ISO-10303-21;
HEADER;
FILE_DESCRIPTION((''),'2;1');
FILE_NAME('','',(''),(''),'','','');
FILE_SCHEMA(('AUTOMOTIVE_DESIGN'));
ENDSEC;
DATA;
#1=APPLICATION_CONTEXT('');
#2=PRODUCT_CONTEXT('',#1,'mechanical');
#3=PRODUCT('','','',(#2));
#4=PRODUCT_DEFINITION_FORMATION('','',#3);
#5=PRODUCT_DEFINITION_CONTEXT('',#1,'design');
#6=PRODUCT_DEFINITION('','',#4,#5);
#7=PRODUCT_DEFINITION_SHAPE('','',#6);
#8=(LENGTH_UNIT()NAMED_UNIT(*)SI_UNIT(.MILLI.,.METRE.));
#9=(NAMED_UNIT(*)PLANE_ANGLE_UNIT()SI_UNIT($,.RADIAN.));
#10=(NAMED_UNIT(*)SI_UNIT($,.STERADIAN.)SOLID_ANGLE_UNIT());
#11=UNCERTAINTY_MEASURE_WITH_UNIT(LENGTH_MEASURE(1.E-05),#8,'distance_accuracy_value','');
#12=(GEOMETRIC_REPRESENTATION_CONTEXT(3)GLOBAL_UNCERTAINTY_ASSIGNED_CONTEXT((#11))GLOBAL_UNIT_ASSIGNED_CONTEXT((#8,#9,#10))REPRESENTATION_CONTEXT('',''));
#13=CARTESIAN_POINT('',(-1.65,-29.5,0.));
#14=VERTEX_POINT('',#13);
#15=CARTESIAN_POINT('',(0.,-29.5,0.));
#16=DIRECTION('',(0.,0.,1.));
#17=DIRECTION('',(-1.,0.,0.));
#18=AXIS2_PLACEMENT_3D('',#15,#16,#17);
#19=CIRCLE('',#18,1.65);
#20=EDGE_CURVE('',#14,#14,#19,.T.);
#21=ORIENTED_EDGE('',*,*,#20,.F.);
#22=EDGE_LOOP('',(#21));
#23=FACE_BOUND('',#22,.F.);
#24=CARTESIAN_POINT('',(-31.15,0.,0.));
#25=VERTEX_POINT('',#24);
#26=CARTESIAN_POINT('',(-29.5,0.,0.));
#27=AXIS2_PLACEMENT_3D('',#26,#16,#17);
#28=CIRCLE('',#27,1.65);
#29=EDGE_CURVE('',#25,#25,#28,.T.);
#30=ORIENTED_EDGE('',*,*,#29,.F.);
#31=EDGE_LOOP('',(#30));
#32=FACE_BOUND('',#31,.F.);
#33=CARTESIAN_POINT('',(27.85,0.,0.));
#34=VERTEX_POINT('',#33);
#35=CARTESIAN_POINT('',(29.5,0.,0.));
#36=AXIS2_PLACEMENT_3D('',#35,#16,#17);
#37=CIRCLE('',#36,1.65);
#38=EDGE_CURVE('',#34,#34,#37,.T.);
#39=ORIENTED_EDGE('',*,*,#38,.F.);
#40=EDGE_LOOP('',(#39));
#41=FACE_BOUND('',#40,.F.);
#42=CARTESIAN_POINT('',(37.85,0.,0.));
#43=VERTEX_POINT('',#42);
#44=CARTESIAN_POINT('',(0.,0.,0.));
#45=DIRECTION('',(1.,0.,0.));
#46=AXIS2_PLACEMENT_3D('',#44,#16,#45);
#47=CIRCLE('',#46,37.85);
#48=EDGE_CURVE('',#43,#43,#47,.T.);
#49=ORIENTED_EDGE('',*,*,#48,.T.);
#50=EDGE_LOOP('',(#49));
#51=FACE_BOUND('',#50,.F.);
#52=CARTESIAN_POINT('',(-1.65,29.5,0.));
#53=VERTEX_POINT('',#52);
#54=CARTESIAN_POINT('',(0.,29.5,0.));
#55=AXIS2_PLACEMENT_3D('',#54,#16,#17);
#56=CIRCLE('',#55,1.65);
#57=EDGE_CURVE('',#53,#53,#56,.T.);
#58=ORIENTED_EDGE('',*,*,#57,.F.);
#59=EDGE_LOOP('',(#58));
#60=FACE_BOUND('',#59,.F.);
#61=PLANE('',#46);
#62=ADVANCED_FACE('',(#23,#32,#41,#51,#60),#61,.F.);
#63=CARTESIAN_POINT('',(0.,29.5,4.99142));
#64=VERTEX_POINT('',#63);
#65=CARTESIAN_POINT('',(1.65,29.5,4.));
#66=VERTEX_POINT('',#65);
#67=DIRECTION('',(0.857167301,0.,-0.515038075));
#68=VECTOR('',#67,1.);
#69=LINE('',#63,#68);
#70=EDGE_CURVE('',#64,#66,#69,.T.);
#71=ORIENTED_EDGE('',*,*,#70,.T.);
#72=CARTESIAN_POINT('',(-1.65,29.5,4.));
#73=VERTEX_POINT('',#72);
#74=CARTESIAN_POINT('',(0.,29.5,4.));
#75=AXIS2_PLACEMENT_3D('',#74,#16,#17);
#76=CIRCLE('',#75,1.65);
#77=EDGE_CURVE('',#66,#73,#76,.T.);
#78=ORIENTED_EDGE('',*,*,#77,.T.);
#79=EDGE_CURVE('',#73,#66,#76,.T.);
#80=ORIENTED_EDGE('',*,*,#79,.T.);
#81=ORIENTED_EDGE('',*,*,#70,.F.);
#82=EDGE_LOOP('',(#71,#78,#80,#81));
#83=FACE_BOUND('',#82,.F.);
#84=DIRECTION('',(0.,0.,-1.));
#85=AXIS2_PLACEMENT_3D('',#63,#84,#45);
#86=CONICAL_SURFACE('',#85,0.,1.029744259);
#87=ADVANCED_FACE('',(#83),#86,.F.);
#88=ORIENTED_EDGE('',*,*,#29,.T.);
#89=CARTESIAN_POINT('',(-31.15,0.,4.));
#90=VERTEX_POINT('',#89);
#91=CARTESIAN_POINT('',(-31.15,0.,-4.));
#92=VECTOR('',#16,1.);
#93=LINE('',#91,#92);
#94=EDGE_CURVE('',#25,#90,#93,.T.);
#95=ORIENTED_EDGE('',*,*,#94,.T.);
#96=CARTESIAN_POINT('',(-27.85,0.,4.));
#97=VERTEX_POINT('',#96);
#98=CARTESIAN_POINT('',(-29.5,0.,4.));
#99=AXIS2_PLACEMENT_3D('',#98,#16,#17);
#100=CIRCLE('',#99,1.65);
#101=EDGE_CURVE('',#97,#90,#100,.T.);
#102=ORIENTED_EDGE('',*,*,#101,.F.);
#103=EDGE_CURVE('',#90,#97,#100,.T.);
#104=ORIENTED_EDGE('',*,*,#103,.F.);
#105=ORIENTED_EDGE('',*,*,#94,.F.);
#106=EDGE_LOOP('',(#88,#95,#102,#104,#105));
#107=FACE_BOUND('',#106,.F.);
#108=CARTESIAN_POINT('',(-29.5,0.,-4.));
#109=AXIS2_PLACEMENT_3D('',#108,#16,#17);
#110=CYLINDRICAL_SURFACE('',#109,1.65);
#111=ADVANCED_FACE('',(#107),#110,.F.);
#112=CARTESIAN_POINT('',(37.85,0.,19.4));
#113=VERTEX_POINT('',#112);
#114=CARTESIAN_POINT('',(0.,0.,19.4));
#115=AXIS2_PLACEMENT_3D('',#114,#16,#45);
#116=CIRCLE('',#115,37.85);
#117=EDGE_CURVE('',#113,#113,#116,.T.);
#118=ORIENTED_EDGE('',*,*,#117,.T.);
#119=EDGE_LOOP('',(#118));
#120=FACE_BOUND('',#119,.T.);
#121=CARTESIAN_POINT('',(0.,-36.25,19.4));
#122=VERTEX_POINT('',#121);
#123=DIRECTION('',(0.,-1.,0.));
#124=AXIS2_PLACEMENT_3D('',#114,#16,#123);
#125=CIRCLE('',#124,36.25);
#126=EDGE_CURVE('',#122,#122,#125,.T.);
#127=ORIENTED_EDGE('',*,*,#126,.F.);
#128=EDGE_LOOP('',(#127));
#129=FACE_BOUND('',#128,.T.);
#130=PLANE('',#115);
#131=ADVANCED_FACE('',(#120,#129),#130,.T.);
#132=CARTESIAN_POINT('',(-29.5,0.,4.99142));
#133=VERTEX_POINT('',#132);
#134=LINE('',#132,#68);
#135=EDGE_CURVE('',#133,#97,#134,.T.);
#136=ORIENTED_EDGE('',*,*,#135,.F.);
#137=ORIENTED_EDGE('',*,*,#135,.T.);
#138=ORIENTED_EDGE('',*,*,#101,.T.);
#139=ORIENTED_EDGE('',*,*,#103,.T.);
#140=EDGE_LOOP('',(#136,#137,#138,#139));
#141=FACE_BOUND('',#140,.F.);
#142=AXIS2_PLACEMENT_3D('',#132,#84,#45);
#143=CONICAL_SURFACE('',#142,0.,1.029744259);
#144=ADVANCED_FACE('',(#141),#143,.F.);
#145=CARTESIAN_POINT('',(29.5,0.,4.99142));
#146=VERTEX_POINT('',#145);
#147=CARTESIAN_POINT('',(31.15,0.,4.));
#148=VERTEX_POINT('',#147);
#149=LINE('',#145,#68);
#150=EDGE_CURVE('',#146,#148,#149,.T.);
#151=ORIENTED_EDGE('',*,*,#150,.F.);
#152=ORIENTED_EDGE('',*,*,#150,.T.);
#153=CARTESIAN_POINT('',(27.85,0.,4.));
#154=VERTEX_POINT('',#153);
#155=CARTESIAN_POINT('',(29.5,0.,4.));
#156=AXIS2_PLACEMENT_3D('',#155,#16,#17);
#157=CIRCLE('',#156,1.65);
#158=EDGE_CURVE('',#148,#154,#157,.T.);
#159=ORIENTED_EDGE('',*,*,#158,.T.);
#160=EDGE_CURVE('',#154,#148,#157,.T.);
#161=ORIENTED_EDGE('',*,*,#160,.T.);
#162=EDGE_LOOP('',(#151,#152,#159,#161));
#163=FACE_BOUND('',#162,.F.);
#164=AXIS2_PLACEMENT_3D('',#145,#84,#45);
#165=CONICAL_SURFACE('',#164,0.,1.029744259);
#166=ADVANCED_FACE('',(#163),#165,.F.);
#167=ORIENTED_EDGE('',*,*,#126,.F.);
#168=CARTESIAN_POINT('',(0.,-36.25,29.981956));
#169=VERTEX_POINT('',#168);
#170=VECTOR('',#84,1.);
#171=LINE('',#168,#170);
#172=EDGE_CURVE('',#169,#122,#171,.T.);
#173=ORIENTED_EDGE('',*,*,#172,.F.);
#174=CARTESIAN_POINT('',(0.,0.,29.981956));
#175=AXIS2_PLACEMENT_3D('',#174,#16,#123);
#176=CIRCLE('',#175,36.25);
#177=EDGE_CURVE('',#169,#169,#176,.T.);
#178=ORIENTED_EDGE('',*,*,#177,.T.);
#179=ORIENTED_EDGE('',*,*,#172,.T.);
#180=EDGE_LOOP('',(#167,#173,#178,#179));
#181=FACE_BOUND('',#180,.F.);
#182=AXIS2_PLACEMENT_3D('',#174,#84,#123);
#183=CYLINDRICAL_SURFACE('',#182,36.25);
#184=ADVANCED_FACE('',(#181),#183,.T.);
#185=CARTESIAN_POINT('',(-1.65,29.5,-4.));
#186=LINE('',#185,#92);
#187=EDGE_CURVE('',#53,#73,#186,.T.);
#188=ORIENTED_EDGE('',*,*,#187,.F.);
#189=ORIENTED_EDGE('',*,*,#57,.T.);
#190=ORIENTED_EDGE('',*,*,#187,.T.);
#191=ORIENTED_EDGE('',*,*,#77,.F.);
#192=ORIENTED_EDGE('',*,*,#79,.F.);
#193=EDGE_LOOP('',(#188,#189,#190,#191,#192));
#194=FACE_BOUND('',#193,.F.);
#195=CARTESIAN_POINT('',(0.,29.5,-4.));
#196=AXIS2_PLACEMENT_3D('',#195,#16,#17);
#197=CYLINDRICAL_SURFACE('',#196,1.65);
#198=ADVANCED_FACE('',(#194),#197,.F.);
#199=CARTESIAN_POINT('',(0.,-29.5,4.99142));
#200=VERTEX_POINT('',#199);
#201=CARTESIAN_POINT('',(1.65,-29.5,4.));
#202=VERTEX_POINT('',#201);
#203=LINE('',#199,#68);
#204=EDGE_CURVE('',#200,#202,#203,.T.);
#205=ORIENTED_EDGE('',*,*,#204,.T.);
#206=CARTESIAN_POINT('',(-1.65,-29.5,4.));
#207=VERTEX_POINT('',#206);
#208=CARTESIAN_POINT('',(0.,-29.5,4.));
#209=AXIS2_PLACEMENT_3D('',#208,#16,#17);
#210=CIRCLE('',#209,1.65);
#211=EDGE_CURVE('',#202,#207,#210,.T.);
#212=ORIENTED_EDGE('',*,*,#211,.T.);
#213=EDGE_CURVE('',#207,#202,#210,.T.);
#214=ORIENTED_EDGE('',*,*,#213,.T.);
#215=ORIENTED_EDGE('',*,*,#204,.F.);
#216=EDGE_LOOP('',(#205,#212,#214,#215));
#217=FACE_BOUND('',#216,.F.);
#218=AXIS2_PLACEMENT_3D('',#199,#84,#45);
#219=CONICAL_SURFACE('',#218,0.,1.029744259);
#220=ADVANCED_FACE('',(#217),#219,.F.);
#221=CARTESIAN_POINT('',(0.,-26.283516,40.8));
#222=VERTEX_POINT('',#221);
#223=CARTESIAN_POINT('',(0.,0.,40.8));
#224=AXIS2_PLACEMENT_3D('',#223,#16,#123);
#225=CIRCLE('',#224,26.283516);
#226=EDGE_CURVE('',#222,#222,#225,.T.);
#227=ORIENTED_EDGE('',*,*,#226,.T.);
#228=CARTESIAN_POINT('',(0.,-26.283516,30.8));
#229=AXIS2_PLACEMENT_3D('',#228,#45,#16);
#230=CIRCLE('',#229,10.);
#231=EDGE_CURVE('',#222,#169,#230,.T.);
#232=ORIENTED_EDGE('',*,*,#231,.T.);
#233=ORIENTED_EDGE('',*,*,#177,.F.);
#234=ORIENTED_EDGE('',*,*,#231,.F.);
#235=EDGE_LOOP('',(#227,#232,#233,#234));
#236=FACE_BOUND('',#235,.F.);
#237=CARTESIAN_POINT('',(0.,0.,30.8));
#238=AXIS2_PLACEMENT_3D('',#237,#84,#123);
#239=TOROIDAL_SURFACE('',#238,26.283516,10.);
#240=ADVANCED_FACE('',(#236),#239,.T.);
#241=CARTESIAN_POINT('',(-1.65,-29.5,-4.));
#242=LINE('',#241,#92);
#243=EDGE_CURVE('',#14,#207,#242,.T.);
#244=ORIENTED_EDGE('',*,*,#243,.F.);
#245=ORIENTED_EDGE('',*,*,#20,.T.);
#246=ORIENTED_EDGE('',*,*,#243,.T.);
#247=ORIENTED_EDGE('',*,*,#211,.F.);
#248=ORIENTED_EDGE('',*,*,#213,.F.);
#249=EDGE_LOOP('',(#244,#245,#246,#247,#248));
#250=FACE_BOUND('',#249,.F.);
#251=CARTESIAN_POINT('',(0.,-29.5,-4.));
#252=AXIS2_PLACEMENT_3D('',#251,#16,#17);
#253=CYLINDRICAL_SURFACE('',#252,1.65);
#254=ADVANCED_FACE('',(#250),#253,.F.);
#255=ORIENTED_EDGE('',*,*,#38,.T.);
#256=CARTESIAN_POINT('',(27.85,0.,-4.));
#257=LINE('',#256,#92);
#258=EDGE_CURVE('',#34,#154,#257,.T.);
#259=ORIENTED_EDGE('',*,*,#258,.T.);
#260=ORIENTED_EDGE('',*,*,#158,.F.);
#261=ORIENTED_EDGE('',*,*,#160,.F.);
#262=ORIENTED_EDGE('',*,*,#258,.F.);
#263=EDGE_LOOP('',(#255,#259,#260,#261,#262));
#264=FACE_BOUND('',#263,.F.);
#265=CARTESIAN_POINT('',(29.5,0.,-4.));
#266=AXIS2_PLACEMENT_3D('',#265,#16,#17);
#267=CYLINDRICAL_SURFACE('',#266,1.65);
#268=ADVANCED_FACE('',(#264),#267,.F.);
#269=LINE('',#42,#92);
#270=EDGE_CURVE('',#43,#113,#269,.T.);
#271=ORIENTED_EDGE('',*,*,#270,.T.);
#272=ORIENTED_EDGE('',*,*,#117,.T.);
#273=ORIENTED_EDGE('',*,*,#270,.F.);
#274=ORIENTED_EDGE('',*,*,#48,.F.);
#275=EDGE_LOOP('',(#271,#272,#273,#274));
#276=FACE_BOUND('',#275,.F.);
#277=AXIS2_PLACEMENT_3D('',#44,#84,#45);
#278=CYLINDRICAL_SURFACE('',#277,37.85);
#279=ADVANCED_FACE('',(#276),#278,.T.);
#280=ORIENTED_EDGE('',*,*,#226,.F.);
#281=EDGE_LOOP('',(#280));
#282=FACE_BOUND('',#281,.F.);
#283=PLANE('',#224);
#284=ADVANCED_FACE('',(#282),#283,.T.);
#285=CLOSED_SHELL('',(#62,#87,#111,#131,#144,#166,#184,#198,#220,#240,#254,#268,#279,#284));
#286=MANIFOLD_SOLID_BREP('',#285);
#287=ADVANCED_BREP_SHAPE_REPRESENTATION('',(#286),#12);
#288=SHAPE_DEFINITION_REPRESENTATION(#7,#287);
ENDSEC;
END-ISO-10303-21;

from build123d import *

# Parameters (mm, degrees)
F0_R     = 37.85
F1_DEPTH = 19.4
F3_D     = 3.3
F3_DEPTH = 4
F3_TIP   = 0.9914200214


with BuildPart() as f1:
    # F0 (on Top) → F1 (new body)
    with BuildSketch(Plane.XY):
        Circle(F0_R)
    extrude(amount=F1_DEPTH)

    # F3
    with Locations(Plane(origin=(0, 0, 0), x_dir=(1, 0, 0), z_dir=(0, 0, -1))):
        with Locations((0, 29.5), (-29.5, 0), (0, -29.5), (29.5, 0)):
            Hole(F3_D / 2, depth=F3_DEPTH)
            with Locations((0, 0, -(F3_DEPTH + F3_TIP / 2))):  # 118° drill point
                Cone(0, F3_D / 2, F3_TIP, mode=Mode.SUBTRACT)

    # F4 (on Right) → F5 (revolve)
    with BuildSketch(Plane.YZ):
        with BuildLine():
            Line((-36.25, 29.9819558859), (-36.25, 19.4))
            Line((-36.25, 19.4), (0, 19.4))
            Line((0, 19.4), (0, 40.8))
            Line((0, 40.8), (-26.2835159747, 40.8))
            ThreePointArc((-26.2835159747, 40.8), (-33.6381213734, 37.57567557), (-36.25, 29.9819558859))
        make_face()
    revolve(axis=Axis((0, 0, 30.1), (0, 0, 1)))


solid = f1.part
